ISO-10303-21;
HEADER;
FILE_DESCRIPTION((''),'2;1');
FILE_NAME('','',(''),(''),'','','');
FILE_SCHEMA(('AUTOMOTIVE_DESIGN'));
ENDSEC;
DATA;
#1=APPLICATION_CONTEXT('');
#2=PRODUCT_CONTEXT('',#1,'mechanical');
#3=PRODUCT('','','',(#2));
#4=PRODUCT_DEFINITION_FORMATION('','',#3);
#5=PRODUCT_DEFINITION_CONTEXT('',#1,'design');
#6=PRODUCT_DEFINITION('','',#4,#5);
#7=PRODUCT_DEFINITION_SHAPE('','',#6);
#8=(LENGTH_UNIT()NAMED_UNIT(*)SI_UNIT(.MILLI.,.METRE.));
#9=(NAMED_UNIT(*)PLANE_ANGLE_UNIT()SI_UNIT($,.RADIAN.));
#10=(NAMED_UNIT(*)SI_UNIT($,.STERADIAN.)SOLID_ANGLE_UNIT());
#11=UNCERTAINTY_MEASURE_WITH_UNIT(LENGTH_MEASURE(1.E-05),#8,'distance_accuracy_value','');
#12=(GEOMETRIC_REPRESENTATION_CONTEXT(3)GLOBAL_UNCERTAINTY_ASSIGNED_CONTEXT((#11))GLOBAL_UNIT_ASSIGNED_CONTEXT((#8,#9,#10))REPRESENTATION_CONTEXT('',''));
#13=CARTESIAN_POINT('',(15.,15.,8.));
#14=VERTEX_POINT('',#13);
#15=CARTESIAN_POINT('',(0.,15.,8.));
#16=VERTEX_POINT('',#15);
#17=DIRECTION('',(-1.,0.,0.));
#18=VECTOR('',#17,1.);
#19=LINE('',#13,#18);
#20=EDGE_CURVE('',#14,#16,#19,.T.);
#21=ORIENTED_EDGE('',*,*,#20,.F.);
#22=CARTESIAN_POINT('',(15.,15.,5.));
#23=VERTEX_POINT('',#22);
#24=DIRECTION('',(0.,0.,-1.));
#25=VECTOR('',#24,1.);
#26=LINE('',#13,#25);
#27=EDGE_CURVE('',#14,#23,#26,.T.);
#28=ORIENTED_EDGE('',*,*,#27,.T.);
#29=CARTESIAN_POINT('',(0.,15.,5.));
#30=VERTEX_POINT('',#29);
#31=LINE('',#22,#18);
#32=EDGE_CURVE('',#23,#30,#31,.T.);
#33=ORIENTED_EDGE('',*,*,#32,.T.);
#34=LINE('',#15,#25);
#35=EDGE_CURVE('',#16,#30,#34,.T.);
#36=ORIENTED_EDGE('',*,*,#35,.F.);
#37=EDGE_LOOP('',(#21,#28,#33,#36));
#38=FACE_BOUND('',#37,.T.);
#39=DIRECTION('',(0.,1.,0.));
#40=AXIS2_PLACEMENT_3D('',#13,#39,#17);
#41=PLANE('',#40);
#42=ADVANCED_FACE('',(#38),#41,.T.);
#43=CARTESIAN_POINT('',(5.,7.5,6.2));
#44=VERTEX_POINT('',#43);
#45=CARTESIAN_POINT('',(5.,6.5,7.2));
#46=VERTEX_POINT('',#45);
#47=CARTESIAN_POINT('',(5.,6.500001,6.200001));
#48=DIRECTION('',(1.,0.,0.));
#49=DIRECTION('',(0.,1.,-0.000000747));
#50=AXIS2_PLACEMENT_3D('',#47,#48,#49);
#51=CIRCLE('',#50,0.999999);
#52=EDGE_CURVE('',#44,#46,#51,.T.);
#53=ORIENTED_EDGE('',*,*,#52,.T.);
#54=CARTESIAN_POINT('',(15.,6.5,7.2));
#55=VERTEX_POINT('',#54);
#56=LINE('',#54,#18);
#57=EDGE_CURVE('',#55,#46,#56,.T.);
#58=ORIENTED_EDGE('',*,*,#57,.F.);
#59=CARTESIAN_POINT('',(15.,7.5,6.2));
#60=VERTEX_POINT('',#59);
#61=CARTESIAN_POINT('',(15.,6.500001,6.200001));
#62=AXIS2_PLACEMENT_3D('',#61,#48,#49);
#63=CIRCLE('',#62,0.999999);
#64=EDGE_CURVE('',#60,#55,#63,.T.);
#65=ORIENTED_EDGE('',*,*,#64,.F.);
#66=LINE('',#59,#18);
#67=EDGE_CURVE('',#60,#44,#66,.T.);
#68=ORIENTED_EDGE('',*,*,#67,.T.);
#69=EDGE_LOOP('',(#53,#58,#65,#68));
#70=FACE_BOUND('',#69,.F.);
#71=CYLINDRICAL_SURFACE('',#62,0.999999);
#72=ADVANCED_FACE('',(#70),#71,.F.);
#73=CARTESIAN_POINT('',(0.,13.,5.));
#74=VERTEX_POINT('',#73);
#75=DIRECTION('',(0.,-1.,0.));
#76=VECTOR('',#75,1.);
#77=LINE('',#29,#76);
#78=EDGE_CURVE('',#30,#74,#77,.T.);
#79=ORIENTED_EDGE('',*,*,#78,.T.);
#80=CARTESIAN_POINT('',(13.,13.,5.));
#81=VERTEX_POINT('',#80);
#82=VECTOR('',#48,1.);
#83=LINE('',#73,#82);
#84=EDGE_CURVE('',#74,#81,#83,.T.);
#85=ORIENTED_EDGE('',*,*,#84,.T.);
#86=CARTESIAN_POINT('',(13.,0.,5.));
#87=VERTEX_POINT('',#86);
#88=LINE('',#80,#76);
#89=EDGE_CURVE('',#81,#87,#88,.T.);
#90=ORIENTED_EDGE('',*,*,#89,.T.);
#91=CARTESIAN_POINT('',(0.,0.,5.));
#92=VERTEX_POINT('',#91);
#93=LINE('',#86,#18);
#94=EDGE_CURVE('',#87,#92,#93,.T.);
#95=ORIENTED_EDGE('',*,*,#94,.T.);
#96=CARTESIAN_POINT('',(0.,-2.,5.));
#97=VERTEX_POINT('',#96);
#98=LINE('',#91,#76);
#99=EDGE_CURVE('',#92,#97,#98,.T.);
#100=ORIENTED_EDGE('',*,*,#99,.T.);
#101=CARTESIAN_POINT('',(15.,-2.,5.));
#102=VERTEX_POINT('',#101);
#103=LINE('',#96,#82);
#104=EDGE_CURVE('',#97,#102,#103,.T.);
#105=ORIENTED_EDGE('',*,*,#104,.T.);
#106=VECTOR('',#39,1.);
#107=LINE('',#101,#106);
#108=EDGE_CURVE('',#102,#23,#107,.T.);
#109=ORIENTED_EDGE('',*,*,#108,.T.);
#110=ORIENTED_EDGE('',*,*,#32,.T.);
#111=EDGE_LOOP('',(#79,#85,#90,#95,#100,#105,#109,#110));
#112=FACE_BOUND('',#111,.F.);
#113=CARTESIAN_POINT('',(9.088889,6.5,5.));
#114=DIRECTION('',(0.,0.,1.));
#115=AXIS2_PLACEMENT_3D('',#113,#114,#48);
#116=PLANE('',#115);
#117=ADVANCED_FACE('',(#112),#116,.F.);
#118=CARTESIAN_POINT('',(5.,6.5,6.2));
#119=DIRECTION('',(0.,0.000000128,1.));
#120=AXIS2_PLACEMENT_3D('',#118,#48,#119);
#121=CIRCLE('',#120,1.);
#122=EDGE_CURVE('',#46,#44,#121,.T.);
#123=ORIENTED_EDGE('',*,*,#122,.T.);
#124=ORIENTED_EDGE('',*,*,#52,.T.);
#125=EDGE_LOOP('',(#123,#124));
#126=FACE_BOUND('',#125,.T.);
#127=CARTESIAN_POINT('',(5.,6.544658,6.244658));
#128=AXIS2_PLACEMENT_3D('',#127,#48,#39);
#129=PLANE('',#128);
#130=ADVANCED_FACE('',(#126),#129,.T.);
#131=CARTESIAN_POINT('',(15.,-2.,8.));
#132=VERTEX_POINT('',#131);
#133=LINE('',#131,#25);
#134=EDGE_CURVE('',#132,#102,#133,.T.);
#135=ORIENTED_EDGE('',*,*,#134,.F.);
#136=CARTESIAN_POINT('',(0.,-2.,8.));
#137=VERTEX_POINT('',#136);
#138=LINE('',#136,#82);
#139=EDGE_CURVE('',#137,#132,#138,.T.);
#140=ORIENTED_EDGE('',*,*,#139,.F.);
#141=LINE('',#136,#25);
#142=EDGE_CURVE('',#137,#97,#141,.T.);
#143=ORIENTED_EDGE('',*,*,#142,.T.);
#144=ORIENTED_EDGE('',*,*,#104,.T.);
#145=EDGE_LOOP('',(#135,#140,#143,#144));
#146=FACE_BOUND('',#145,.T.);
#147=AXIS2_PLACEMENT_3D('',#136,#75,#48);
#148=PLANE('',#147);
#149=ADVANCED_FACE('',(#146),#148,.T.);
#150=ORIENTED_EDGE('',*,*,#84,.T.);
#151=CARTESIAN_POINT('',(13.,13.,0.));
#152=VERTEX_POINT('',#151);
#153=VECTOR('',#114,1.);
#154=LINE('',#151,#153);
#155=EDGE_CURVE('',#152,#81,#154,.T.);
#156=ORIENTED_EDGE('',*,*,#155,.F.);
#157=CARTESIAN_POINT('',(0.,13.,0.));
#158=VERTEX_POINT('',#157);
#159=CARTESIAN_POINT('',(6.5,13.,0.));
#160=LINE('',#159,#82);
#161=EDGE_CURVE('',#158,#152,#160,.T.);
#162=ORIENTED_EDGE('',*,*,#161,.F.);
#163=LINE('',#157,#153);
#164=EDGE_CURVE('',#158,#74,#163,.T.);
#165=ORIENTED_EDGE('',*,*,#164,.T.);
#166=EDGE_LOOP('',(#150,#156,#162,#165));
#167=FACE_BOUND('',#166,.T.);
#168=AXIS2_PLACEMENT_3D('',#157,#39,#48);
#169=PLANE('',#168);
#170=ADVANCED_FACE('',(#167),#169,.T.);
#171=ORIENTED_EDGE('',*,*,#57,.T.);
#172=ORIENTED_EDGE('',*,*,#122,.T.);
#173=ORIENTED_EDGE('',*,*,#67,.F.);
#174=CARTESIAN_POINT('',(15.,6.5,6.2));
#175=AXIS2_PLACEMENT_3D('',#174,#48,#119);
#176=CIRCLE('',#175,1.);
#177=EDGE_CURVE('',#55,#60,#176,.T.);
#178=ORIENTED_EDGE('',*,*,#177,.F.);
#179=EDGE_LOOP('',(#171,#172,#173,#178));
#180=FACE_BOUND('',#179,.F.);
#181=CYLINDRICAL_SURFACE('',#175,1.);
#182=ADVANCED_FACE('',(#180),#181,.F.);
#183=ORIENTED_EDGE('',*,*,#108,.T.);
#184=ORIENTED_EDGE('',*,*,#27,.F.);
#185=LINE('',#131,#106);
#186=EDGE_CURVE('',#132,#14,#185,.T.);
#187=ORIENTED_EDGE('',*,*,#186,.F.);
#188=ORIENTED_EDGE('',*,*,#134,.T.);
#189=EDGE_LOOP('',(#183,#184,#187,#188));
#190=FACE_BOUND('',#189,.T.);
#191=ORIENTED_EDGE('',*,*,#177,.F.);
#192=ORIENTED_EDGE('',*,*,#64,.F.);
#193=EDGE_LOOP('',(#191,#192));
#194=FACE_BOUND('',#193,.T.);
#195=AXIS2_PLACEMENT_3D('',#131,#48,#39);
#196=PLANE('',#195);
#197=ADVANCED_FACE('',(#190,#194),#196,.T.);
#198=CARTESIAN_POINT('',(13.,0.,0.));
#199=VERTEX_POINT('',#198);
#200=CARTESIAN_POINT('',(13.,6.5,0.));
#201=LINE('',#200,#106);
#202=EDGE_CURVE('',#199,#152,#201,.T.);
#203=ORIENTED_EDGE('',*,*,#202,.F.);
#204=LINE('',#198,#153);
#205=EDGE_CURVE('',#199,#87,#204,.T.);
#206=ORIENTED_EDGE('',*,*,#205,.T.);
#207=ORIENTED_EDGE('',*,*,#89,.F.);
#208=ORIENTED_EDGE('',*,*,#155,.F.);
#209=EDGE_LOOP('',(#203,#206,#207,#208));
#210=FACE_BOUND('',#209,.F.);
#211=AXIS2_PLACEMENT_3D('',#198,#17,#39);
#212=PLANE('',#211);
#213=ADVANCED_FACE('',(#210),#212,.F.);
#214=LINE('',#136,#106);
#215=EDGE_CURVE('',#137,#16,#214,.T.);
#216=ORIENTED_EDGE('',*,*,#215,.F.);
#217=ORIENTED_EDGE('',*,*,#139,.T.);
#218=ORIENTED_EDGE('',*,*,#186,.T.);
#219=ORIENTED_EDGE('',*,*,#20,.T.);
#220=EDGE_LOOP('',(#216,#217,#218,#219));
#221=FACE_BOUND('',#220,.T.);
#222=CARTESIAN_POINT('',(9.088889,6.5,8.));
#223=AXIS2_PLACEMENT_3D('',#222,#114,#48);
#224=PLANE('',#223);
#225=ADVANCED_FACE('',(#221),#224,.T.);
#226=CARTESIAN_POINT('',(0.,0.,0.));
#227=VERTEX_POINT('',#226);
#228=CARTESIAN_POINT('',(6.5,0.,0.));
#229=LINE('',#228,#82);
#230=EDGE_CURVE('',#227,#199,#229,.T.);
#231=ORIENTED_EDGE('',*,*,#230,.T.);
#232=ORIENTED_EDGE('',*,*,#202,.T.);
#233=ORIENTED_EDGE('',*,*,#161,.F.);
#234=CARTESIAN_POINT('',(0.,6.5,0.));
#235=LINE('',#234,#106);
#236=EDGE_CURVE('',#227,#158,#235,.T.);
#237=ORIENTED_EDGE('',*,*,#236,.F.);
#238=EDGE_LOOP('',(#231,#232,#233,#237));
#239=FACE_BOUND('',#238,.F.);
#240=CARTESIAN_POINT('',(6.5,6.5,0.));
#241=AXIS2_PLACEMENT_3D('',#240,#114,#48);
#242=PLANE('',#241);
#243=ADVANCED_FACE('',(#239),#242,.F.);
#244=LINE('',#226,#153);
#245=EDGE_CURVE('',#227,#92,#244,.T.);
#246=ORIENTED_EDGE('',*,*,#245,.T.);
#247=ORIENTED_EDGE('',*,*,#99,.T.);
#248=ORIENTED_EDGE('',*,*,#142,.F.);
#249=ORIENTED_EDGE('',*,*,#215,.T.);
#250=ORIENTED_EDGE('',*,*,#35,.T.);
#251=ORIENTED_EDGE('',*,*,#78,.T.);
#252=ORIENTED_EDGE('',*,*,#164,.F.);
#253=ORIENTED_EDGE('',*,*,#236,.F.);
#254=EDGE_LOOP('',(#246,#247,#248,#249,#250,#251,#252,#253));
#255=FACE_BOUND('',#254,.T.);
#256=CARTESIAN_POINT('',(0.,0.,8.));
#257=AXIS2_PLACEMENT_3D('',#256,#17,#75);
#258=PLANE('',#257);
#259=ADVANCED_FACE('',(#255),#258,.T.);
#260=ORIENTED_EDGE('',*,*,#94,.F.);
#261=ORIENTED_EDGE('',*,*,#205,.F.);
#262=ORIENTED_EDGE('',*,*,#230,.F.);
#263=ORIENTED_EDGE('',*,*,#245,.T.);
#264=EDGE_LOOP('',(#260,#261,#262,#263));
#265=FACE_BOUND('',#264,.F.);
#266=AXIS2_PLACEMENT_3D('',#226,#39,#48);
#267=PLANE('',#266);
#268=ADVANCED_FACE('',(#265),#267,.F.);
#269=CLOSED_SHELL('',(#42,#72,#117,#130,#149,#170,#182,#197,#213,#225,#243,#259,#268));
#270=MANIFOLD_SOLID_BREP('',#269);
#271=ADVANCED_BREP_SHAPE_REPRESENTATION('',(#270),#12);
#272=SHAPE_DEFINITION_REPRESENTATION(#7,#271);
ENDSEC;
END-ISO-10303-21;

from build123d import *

# Parameters (mm, degrees)
F0_W     = 13
F0_H     = 13
F1_DEPTH = 8
F3_DEPTH = 3
F5_DEPTH = 10


with BuildPart() as f1:
    # F0 (on Top) → F1 (new body)
    with BuildSketch(Plane.XY):
        with Locations((6.5, 6.5)):
            Rectangle(F0_W, F0_H)
    extrude(amount=F1_DEPTH)

    # F2 (on face) → F3 (join)
    with BuildSketch(Plane.XY.offset(8)):
        Polygon((13, 0), (0, 0), (0, -2), (15, -2), (15, 15), (0, 15), (0, 13), (13, 13), align=None)
    extrude(amount=-F3_DEPTH)

    # F4 (on face) → F5 (cut)
    with BuildSketch(Plane.YZ.offset(15)):
        with BuildLine():
            ThreePointArc((7.5, 6.2), (7.207107, 6.907107), (6.5, 7.2))
            ThreePointArc((6.5, 7.2), (5.792893, 5.492893), (7.5, 6.2))
        make_face()
    extrude(amount=-F5_DEPTH, mode=Mode.SUBTRACT)


solid = f1.part
